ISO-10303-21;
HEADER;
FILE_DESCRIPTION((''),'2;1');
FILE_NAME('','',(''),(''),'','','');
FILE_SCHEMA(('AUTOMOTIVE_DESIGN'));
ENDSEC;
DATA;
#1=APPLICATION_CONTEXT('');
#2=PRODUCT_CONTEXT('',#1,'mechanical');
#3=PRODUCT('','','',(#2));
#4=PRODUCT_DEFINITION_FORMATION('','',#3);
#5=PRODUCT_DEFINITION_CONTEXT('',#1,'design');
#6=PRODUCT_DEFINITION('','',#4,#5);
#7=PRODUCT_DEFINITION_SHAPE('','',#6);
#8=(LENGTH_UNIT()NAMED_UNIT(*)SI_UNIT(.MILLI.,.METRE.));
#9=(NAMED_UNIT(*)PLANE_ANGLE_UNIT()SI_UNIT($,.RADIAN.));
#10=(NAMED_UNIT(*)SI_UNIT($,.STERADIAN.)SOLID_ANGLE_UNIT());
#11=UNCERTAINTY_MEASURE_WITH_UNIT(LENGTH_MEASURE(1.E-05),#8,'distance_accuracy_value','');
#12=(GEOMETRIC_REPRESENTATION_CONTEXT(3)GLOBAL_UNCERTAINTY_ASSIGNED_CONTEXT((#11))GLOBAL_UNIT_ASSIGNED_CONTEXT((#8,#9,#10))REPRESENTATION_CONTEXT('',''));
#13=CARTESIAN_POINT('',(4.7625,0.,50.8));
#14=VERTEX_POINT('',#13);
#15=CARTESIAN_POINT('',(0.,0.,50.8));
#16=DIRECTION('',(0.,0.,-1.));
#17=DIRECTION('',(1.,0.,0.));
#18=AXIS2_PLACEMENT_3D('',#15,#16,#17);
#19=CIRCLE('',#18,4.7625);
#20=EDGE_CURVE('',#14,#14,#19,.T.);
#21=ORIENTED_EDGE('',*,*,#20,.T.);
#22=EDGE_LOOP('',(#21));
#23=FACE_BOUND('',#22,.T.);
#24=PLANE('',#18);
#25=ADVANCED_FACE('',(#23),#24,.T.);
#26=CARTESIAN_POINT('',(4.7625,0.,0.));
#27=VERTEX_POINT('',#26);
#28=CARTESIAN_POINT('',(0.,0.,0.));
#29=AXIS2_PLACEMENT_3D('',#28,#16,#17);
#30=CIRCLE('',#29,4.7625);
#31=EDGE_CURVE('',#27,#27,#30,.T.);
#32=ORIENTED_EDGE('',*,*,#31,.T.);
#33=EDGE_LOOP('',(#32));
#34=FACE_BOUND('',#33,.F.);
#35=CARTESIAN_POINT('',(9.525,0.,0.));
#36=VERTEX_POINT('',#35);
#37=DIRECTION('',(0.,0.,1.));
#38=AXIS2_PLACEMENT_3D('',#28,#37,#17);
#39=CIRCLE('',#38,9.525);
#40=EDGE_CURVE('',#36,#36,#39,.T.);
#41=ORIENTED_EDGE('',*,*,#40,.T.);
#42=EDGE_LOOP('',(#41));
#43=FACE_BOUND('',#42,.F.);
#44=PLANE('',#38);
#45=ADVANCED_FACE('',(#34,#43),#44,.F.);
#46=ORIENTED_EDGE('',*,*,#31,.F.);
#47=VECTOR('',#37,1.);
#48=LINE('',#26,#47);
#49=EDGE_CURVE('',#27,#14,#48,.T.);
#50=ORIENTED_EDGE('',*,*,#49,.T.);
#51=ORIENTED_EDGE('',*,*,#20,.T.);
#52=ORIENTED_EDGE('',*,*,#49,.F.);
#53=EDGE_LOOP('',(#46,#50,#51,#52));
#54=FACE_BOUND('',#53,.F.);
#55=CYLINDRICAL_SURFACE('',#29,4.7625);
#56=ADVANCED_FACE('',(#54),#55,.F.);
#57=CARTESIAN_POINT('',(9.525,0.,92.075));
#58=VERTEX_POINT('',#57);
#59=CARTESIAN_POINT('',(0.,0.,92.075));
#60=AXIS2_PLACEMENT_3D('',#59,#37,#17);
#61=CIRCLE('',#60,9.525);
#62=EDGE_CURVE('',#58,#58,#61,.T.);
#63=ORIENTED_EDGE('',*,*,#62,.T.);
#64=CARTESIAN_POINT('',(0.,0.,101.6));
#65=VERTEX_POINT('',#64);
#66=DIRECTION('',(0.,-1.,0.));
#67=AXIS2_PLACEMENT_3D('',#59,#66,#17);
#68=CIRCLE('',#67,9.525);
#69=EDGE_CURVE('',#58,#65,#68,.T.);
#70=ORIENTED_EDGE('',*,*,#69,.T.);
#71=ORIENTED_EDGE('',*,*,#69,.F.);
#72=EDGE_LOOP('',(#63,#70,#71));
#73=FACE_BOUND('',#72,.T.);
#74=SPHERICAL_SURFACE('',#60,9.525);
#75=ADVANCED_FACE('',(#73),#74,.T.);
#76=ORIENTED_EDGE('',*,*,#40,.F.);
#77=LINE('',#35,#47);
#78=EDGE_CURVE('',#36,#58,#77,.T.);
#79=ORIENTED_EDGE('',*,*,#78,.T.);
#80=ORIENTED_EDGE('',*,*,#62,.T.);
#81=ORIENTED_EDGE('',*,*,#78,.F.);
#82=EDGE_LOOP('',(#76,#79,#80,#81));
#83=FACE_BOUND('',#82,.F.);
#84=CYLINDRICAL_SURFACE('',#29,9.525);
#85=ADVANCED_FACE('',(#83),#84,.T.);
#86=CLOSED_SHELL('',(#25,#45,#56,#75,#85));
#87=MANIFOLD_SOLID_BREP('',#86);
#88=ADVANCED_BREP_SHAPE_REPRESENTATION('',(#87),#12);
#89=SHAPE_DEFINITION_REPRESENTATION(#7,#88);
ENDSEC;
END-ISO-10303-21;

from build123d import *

# Parameters (mm, degrees)
F0_R     = 9.525
F1_DEPTH = 101.6
F2_R     = 4.7625
F3_DEPTH = 50.8
F4_R     = 9.525


with BuildPart() as f1:
    # F0 (on Top) → F1 (new body)
    with BuildSketch(Plane.XY):
        Circle(F0_R)
    extrude(amount=F1_DEPTH)

    # F2 (on face) → F3 (cut)
    with BuildSketch(Plane(origin=(0, 0, 0), x_dir=(1, 0, 0), z_dir=(0, 0, -1))):
        Circle(F2_R)
    extrude(amount=-F3_DEPTH, mode=Mode.SUBTRACT)

    # F4
    f4_edges = [f1.edges().sort_by_distance(p)[0] for p in [
        (-9.525, 0, 101.6),
    ]]
    fillet(f4_edges, radius=F4_R)


solid = f1.part
